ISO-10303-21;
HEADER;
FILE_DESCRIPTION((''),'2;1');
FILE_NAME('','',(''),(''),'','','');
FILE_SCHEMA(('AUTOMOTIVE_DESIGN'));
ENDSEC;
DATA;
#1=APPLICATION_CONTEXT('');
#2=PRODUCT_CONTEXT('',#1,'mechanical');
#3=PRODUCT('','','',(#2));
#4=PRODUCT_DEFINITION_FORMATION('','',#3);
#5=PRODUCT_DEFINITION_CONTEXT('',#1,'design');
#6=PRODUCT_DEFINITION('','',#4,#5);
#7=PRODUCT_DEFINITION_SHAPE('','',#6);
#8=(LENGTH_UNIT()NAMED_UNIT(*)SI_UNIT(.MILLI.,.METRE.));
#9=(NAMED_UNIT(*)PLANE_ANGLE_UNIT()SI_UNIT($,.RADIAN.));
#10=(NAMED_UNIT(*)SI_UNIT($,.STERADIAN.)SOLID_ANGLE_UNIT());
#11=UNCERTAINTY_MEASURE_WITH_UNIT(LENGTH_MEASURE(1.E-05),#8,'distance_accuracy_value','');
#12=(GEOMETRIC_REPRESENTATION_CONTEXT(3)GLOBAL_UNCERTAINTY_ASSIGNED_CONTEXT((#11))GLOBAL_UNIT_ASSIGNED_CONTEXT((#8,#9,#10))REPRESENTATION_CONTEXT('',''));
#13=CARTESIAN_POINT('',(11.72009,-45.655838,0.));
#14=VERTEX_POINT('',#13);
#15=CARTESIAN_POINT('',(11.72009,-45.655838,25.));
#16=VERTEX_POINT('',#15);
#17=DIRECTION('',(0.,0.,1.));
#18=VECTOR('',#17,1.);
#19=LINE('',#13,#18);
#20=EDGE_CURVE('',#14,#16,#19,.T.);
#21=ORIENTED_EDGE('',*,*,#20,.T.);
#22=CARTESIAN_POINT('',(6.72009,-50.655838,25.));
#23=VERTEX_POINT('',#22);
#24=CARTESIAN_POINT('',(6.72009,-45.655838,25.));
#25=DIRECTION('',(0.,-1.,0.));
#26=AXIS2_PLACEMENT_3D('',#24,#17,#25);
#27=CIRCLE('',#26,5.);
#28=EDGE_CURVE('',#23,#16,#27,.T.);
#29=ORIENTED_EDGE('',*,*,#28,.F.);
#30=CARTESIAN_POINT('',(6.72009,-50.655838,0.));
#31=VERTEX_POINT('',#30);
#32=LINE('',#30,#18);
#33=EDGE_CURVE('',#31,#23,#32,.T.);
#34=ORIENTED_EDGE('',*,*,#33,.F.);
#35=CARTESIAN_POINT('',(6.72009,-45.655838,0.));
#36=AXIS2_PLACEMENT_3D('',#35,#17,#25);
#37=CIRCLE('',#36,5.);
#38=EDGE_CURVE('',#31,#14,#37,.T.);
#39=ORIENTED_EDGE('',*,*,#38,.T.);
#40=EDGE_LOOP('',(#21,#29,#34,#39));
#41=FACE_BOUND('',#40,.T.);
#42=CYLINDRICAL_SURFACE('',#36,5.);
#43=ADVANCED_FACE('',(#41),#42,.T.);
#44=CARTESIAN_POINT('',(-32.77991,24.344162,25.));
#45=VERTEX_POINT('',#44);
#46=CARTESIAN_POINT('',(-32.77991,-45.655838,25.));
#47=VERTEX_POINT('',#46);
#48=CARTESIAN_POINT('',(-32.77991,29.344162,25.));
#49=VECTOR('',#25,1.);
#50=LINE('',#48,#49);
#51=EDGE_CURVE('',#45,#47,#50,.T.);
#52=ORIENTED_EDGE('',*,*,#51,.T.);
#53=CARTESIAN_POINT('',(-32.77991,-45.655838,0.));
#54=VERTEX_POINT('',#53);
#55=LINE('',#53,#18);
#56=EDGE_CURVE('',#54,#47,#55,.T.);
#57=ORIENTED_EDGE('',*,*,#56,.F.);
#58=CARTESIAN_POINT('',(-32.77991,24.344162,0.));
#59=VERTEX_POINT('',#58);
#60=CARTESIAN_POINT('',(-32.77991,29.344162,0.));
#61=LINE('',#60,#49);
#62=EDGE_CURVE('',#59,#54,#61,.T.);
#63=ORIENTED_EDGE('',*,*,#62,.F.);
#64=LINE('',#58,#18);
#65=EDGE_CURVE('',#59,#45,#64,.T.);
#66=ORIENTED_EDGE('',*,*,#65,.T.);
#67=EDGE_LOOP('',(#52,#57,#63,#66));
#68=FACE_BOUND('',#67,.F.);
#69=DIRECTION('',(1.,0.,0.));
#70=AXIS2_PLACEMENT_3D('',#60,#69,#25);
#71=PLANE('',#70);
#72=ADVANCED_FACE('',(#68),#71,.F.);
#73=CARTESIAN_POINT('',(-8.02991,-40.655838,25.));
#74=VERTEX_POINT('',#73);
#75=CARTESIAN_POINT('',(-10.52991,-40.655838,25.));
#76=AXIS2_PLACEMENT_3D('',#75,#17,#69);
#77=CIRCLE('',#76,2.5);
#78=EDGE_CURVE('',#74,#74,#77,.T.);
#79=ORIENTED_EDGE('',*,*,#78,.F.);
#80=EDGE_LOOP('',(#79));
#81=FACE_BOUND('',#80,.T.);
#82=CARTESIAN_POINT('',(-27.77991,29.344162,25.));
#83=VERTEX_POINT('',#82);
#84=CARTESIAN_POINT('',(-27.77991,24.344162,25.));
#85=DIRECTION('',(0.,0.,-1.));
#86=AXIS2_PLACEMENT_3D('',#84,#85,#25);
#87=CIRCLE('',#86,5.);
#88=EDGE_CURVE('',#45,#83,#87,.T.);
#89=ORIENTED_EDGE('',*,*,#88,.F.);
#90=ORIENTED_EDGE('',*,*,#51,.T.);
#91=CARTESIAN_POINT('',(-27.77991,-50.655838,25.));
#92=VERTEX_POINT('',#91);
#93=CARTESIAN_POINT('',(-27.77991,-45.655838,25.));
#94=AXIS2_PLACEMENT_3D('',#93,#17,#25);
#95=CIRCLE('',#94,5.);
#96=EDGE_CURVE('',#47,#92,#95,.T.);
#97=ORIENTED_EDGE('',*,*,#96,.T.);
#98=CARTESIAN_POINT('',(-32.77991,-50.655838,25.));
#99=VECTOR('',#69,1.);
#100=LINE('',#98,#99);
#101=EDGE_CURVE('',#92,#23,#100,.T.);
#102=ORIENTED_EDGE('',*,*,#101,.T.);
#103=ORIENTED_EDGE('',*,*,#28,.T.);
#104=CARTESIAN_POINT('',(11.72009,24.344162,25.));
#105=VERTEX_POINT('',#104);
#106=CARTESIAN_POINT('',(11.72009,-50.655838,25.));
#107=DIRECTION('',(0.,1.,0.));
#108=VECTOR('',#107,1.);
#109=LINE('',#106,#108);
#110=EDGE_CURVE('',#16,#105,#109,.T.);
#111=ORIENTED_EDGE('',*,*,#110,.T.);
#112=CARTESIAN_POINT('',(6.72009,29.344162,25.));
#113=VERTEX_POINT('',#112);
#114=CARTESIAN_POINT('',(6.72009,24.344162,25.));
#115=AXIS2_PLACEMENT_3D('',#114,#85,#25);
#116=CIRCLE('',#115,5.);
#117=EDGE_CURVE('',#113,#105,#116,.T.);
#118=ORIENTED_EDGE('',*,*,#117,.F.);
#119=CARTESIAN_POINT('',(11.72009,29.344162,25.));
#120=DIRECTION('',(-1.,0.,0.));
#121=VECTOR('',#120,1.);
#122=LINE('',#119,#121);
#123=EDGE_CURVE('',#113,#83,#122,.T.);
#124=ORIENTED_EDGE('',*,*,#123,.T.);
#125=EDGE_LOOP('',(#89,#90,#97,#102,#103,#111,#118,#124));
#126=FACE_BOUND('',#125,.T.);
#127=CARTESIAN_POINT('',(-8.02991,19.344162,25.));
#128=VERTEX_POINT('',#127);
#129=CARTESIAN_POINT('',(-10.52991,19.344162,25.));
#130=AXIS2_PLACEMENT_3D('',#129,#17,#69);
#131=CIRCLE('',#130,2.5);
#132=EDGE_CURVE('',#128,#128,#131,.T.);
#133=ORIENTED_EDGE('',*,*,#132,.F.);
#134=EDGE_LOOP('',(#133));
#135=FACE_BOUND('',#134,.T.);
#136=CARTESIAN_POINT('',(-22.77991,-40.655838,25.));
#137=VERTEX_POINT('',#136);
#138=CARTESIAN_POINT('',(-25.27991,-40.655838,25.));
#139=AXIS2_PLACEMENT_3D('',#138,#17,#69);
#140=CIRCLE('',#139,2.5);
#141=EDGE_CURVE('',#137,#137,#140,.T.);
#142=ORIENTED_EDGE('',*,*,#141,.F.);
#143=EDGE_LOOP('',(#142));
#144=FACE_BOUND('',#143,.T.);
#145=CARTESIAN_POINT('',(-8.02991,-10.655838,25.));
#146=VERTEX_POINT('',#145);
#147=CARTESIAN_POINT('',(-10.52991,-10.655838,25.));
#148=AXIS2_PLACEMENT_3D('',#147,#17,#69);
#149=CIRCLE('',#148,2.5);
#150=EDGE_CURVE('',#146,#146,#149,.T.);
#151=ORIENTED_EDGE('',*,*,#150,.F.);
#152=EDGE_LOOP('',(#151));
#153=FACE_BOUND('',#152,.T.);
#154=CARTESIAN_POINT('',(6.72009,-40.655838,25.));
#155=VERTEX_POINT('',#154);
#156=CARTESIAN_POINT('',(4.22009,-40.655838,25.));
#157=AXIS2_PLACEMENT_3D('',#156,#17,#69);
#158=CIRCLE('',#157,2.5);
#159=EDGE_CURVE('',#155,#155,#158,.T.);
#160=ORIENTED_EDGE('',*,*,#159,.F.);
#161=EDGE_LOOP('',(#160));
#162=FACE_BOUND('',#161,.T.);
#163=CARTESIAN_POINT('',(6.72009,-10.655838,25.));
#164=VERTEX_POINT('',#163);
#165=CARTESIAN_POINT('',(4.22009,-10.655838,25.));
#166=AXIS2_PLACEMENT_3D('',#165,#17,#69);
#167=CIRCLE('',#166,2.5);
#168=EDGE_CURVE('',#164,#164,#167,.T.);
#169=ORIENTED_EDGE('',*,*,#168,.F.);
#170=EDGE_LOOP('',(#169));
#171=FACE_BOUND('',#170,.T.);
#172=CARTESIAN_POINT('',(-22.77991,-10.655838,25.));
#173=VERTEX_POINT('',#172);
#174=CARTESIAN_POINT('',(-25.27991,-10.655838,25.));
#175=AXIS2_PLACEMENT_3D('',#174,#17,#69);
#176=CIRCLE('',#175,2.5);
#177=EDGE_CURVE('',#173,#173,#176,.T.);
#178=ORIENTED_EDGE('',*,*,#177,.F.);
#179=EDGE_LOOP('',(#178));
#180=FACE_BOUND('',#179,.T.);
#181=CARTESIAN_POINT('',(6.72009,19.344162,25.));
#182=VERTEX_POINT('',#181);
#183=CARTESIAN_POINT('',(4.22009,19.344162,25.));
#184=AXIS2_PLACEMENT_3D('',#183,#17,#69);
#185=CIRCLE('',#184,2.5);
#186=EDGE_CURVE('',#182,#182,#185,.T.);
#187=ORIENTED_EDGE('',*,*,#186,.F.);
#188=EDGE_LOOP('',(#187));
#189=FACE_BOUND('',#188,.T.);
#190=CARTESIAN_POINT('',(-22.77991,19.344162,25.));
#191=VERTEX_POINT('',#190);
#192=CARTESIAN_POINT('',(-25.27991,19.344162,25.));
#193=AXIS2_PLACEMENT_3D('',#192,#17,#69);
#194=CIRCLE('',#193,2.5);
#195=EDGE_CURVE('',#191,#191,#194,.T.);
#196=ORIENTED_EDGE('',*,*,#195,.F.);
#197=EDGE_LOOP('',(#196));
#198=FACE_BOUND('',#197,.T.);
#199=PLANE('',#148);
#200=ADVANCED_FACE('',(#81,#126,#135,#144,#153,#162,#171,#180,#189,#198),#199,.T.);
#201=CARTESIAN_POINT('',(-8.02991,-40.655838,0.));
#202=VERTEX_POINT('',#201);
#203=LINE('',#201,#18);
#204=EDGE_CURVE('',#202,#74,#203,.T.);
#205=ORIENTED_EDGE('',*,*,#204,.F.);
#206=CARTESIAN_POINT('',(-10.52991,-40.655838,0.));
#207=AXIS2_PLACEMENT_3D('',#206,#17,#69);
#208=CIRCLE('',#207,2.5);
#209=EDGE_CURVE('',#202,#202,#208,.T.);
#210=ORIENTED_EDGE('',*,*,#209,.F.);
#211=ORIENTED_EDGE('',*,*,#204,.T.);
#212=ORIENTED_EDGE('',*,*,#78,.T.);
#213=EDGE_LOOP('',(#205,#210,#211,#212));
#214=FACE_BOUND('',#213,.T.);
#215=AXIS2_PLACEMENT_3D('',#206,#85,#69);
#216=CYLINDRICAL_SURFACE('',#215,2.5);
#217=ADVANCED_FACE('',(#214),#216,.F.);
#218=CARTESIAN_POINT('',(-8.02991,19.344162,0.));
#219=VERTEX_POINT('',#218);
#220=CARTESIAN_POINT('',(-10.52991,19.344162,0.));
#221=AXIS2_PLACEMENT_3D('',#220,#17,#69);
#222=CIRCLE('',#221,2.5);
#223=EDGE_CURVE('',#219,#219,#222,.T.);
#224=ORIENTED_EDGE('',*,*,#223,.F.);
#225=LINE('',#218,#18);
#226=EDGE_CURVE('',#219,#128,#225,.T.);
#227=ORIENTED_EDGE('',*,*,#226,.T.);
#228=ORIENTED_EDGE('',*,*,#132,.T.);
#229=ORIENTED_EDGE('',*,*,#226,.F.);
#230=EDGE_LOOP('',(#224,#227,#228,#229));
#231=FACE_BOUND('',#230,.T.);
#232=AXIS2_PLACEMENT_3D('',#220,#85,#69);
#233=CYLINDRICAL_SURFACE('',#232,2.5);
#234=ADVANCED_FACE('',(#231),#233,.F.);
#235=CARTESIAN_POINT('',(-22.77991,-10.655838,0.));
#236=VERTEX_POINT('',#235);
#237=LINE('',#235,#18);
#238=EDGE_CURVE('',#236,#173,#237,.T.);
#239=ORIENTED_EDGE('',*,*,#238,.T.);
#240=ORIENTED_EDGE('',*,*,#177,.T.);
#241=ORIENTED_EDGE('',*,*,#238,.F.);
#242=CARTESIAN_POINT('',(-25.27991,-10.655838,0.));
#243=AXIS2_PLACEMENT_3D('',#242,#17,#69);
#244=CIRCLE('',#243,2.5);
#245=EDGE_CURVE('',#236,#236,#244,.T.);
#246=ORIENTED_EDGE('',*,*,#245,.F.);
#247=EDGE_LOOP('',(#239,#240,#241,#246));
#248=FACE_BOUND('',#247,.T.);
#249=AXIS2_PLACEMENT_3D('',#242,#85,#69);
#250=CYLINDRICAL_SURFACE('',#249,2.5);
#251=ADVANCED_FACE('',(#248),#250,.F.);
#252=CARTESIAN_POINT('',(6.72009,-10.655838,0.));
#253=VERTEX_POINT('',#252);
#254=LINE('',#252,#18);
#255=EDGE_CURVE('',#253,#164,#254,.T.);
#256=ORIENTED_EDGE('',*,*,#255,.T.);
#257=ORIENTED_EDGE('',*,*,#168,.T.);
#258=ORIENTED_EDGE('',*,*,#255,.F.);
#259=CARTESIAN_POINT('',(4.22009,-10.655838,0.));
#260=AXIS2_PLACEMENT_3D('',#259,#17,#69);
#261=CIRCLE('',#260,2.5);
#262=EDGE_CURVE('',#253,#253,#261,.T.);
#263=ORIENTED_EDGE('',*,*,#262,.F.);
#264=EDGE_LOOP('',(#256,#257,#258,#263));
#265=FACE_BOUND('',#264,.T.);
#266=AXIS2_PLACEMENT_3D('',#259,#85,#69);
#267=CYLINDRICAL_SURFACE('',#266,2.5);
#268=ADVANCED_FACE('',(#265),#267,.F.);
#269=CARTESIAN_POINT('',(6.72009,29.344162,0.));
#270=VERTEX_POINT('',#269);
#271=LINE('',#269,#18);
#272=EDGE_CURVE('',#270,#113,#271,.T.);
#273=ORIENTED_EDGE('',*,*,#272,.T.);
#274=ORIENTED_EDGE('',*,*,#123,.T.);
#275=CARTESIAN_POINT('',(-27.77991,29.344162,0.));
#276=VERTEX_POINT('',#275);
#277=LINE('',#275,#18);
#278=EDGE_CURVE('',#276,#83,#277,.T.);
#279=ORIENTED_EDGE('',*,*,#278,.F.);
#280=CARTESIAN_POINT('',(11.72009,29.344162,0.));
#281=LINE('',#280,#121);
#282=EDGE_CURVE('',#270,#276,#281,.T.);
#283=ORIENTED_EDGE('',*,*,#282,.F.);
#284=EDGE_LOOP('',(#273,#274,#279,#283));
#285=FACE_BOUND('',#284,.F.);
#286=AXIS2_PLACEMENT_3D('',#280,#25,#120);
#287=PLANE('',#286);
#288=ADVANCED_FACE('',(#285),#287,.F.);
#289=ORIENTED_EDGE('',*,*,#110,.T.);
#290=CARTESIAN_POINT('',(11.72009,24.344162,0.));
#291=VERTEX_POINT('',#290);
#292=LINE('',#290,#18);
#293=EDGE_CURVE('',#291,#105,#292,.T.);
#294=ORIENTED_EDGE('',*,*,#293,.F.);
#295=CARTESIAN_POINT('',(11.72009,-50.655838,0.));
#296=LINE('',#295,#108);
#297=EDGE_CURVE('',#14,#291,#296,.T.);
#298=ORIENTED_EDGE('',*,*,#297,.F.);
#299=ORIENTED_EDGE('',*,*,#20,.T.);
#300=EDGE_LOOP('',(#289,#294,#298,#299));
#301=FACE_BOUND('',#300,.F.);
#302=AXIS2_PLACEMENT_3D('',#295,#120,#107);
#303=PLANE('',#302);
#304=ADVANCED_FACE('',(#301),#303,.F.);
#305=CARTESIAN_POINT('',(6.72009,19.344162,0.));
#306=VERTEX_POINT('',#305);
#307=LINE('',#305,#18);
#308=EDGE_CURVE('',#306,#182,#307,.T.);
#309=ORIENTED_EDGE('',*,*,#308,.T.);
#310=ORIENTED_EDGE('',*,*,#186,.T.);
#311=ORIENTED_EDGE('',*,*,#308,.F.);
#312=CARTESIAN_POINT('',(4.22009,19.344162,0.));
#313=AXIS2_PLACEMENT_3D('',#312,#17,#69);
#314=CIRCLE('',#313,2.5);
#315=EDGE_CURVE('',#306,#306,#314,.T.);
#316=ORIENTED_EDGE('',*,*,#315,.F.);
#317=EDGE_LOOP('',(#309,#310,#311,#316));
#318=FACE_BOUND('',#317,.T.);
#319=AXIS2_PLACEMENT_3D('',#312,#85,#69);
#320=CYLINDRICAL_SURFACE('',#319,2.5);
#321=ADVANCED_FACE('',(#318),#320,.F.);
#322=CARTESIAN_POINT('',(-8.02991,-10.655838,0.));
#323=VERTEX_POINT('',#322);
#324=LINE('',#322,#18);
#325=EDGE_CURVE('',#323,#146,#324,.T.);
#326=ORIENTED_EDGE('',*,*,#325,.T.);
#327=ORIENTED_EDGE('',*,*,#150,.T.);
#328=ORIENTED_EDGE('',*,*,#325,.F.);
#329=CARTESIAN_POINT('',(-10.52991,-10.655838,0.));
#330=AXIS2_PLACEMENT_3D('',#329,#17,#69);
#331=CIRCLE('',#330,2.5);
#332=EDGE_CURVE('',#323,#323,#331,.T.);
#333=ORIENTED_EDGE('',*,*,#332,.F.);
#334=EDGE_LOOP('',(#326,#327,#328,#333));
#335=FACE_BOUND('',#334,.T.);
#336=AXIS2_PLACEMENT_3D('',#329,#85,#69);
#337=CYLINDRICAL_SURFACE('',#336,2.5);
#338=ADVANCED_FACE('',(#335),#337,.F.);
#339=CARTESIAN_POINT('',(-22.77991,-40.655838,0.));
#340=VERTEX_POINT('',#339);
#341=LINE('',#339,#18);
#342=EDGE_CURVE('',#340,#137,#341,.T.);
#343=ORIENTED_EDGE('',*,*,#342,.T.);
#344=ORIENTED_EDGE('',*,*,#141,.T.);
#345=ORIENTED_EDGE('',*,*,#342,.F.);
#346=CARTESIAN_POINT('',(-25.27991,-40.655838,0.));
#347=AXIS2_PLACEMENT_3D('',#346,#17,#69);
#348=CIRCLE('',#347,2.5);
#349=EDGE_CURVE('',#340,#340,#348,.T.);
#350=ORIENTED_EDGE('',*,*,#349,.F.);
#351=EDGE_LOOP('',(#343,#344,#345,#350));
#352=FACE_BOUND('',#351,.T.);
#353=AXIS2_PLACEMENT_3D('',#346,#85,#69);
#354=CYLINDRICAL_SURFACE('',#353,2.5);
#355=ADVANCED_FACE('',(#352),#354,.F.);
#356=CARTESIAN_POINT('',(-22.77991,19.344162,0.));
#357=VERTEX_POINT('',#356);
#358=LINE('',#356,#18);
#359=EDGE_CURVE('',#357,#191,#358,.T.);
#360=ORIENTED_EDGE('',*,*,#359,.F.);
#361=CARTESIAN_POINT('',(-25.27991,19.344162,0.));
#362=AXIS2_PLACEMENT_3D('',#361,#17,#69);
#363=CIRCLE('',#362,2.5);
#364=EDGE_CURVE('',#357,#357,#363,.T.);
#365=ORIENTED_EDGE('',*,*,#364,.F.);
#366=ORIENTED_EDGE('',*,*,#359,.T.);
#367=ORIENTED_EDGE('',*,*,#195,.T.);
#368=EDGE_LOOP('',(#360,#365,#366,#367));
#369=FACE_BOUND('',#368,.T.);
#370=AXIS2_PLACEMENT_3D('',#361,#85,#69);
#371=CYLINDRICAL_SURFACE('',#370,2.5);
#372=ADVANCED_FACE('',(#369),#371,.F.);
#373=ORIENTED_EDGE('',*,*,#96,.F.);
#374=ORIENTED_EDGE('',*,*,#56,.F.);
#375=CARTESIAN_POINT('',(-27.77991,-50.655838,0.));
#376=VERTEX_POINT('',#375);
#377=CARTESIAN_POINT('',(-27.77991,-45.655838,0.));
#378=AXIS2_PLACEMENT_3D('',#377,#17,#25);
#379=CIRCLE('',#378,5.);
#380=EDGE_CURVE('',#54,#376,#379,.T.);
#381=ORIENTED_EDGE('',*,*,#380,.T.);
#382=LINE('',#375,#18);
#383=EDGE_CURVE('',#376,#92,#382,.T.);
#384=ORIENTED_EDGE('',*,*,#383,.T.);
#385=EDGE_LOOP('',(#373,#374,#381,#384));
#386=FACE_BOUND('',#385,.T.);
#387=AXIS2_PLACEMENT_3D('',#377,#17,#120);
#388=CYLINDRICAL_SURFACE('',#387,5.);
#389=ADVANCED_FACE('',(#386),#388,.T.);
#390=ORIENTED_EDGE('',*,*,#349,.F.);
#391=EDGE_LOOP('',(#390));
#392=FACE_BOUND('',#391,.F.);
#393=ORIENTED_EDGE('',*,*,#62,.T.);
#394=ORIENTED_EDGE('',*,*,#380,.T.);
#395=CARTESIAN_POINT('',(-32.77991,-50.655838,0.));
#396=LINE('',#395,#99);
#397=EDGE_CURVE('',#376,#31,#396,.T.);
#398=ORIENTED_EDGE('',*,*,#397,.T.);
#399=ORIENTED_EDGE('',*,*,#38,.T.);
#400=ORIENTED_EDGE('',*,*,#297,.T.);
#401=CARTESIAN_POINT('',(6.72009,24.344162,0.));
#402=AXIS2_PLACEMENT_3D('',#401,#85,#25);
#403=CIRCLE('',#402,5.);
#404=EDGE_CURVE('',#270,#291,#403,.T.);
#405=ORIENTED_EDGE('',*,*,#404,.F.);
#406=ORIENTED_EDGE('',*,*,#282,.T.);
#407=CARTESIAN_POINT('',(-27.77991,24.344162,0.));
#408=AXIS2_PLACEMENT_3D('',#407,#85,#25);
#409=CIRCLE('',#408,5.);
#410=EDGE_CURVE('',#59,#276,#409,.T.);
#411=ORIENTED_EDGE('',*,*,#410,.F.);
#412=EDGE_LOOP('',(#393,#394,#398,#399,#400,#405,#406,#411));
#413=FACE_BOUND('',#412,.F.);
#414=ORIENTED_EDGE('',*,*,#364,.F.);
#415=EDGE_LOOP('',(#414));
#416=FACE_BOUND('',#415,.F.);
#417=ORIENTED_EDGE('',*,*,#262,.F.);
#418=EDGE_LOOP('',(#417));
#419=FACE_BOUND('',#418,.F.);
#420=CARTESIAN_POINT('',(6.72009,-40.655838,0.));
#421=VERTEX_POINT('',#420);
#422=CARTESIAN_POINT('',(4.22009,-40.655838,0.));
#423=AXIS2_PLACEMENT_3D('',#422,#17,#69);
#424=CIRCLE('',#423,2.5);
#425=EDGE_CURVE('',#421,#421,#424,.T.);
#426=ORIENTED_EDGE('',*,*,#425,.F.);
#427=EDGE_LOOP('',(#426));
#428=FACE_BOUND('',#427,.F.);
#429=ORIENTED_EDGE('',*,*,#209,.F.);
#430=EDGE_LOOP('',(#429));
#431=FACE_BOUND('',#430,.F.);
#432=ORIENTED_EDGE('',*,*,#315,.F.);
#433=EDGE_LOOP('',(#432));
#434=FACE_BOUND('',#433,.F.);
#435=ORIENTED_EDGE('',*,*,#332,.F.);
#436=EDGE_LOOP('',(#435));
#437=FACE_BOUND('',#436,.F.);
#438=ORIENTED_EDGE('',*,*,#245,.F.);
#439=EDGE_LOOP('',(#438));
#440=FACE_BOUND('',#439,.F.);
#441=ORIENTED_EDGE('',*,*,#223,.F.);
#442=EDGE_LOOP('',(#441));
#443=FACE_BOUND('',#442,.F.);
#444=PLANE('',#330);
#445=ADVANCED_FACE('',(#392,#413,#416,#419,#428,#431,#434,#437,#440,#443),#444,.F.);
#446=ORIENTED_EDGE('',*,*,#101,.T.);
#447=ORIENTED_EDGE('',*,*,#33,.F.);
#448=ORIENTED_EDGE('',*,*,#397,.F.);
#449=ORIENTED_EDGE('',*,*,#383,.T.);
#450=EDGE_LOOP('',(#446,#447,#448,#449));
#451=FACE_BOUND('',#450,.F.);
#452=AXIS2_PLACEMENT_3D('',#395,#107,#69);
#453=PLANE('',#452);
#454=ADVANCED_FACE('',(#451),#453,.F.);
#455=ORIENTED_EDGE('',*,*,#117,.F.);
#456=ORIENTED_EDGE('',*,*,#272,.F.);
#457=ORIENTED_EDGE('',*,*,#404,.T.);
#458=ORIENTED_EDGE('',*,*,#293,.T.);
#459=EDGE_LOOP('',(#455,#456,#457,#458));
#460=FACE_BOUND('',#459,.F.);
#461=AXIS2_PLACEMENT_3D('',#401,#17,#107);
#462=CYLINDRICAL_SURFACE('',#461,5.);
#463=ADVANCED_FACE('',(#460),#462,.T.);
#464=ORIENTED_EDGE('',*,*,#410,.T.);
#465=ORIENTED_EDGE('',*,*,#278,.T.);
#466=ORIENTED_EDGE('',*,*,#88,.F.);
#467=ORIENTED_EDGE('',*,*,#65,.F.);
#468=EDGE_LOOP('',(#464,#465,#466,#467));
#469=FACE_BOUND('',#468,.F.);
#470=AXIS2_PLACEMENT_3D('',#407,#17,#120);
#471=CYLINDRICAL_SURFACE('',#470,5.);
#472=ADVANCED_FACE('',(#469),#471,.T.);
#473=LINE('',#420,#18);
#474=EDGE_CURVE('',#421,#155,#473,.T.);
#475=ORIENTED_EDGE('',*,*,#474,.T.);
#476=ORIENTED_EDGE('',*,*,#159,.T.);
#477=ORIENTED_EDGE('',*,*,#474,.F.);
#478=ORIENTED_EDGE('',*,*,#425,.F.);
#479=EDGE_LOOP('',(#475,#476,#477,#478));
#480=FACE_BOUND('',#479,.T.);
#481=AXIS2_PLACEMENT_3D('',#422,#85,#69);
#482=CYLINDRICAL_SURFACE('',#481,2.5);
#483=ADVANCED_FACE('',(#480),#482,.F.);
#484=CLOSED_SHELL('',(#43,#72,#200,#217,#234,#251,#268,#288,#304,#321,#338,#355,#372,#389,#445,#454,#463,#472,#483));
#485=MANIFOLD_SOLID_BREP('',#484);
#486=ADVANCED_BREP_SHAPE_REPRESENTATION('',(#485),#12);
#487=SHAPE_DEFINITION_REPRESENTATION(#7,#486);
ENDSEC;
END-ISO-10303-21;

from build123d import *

# Parameters (mm, degrees)
F0_R     = 2.5
F1_DEPTH = 25
F2_R     = 5


with BuildPart() as f1:
    # F0 (on Top) → F1 (new body)
    with BuildSketch(Plane.XY):
        Polygon((4.22009, 29.344162), (-32.77991, 29.344162), (-32.77991, 19.344162), (-32.77991, -50.655838), (11.72009, -50.655838), (11.72009, 29.344162), align=None)
        with Locations((-25.27991, -40.655838)):
            Circle(F0_R, mode=Mode.SUBTRACT)
        with Locations((-10.52991, -40.655838)):
            Circle(F0_R, mode=Mode.SUBTRACT)
        with Locations((4.22009, -40.655838)):
            Circle(F0_R, mode=Mode.SUBTRACT)
        with Locations((-25.27991, -10.655838)):
            Circle(F0_R, mode=Mode.SUBTRACT)
        with Locations((-25.27991, 19.344162)):
            Circle(F0_R, mode=Mode.SUBTRACT)
        with Locations((-10.52991, -10.655838)):
            Circle(F0_R, mode=Mode.SUBTRACT)
        with Locations((4.22009, -10.655838)):
            Circle(F0_R, mode=Mode.SUBTRACT)
        with Locations((-10.52991, 19.344162)):
            Circle(F0_R, mode=Mode.SUBTRACT)
        with Locations((4.22009, 19.344162)):
            Circle(F0_R, mode=Mode.SUBTRACT)
    extrude(amount=F1_DEPTH)

    # F2
    f2_edges = [f1.edges().sort_by_distance(p)[0] for p in [
        (-32.77991, -50.655838, 12.5),
        (11.72009, -50.655838, 12.5),
        (-32.77991, 29.344162, 12.5),
        (11.72009, 29.344162, 12.5),
    ]]
    fillet(f2_edges, radius=F2_R)


solid = f1.part
